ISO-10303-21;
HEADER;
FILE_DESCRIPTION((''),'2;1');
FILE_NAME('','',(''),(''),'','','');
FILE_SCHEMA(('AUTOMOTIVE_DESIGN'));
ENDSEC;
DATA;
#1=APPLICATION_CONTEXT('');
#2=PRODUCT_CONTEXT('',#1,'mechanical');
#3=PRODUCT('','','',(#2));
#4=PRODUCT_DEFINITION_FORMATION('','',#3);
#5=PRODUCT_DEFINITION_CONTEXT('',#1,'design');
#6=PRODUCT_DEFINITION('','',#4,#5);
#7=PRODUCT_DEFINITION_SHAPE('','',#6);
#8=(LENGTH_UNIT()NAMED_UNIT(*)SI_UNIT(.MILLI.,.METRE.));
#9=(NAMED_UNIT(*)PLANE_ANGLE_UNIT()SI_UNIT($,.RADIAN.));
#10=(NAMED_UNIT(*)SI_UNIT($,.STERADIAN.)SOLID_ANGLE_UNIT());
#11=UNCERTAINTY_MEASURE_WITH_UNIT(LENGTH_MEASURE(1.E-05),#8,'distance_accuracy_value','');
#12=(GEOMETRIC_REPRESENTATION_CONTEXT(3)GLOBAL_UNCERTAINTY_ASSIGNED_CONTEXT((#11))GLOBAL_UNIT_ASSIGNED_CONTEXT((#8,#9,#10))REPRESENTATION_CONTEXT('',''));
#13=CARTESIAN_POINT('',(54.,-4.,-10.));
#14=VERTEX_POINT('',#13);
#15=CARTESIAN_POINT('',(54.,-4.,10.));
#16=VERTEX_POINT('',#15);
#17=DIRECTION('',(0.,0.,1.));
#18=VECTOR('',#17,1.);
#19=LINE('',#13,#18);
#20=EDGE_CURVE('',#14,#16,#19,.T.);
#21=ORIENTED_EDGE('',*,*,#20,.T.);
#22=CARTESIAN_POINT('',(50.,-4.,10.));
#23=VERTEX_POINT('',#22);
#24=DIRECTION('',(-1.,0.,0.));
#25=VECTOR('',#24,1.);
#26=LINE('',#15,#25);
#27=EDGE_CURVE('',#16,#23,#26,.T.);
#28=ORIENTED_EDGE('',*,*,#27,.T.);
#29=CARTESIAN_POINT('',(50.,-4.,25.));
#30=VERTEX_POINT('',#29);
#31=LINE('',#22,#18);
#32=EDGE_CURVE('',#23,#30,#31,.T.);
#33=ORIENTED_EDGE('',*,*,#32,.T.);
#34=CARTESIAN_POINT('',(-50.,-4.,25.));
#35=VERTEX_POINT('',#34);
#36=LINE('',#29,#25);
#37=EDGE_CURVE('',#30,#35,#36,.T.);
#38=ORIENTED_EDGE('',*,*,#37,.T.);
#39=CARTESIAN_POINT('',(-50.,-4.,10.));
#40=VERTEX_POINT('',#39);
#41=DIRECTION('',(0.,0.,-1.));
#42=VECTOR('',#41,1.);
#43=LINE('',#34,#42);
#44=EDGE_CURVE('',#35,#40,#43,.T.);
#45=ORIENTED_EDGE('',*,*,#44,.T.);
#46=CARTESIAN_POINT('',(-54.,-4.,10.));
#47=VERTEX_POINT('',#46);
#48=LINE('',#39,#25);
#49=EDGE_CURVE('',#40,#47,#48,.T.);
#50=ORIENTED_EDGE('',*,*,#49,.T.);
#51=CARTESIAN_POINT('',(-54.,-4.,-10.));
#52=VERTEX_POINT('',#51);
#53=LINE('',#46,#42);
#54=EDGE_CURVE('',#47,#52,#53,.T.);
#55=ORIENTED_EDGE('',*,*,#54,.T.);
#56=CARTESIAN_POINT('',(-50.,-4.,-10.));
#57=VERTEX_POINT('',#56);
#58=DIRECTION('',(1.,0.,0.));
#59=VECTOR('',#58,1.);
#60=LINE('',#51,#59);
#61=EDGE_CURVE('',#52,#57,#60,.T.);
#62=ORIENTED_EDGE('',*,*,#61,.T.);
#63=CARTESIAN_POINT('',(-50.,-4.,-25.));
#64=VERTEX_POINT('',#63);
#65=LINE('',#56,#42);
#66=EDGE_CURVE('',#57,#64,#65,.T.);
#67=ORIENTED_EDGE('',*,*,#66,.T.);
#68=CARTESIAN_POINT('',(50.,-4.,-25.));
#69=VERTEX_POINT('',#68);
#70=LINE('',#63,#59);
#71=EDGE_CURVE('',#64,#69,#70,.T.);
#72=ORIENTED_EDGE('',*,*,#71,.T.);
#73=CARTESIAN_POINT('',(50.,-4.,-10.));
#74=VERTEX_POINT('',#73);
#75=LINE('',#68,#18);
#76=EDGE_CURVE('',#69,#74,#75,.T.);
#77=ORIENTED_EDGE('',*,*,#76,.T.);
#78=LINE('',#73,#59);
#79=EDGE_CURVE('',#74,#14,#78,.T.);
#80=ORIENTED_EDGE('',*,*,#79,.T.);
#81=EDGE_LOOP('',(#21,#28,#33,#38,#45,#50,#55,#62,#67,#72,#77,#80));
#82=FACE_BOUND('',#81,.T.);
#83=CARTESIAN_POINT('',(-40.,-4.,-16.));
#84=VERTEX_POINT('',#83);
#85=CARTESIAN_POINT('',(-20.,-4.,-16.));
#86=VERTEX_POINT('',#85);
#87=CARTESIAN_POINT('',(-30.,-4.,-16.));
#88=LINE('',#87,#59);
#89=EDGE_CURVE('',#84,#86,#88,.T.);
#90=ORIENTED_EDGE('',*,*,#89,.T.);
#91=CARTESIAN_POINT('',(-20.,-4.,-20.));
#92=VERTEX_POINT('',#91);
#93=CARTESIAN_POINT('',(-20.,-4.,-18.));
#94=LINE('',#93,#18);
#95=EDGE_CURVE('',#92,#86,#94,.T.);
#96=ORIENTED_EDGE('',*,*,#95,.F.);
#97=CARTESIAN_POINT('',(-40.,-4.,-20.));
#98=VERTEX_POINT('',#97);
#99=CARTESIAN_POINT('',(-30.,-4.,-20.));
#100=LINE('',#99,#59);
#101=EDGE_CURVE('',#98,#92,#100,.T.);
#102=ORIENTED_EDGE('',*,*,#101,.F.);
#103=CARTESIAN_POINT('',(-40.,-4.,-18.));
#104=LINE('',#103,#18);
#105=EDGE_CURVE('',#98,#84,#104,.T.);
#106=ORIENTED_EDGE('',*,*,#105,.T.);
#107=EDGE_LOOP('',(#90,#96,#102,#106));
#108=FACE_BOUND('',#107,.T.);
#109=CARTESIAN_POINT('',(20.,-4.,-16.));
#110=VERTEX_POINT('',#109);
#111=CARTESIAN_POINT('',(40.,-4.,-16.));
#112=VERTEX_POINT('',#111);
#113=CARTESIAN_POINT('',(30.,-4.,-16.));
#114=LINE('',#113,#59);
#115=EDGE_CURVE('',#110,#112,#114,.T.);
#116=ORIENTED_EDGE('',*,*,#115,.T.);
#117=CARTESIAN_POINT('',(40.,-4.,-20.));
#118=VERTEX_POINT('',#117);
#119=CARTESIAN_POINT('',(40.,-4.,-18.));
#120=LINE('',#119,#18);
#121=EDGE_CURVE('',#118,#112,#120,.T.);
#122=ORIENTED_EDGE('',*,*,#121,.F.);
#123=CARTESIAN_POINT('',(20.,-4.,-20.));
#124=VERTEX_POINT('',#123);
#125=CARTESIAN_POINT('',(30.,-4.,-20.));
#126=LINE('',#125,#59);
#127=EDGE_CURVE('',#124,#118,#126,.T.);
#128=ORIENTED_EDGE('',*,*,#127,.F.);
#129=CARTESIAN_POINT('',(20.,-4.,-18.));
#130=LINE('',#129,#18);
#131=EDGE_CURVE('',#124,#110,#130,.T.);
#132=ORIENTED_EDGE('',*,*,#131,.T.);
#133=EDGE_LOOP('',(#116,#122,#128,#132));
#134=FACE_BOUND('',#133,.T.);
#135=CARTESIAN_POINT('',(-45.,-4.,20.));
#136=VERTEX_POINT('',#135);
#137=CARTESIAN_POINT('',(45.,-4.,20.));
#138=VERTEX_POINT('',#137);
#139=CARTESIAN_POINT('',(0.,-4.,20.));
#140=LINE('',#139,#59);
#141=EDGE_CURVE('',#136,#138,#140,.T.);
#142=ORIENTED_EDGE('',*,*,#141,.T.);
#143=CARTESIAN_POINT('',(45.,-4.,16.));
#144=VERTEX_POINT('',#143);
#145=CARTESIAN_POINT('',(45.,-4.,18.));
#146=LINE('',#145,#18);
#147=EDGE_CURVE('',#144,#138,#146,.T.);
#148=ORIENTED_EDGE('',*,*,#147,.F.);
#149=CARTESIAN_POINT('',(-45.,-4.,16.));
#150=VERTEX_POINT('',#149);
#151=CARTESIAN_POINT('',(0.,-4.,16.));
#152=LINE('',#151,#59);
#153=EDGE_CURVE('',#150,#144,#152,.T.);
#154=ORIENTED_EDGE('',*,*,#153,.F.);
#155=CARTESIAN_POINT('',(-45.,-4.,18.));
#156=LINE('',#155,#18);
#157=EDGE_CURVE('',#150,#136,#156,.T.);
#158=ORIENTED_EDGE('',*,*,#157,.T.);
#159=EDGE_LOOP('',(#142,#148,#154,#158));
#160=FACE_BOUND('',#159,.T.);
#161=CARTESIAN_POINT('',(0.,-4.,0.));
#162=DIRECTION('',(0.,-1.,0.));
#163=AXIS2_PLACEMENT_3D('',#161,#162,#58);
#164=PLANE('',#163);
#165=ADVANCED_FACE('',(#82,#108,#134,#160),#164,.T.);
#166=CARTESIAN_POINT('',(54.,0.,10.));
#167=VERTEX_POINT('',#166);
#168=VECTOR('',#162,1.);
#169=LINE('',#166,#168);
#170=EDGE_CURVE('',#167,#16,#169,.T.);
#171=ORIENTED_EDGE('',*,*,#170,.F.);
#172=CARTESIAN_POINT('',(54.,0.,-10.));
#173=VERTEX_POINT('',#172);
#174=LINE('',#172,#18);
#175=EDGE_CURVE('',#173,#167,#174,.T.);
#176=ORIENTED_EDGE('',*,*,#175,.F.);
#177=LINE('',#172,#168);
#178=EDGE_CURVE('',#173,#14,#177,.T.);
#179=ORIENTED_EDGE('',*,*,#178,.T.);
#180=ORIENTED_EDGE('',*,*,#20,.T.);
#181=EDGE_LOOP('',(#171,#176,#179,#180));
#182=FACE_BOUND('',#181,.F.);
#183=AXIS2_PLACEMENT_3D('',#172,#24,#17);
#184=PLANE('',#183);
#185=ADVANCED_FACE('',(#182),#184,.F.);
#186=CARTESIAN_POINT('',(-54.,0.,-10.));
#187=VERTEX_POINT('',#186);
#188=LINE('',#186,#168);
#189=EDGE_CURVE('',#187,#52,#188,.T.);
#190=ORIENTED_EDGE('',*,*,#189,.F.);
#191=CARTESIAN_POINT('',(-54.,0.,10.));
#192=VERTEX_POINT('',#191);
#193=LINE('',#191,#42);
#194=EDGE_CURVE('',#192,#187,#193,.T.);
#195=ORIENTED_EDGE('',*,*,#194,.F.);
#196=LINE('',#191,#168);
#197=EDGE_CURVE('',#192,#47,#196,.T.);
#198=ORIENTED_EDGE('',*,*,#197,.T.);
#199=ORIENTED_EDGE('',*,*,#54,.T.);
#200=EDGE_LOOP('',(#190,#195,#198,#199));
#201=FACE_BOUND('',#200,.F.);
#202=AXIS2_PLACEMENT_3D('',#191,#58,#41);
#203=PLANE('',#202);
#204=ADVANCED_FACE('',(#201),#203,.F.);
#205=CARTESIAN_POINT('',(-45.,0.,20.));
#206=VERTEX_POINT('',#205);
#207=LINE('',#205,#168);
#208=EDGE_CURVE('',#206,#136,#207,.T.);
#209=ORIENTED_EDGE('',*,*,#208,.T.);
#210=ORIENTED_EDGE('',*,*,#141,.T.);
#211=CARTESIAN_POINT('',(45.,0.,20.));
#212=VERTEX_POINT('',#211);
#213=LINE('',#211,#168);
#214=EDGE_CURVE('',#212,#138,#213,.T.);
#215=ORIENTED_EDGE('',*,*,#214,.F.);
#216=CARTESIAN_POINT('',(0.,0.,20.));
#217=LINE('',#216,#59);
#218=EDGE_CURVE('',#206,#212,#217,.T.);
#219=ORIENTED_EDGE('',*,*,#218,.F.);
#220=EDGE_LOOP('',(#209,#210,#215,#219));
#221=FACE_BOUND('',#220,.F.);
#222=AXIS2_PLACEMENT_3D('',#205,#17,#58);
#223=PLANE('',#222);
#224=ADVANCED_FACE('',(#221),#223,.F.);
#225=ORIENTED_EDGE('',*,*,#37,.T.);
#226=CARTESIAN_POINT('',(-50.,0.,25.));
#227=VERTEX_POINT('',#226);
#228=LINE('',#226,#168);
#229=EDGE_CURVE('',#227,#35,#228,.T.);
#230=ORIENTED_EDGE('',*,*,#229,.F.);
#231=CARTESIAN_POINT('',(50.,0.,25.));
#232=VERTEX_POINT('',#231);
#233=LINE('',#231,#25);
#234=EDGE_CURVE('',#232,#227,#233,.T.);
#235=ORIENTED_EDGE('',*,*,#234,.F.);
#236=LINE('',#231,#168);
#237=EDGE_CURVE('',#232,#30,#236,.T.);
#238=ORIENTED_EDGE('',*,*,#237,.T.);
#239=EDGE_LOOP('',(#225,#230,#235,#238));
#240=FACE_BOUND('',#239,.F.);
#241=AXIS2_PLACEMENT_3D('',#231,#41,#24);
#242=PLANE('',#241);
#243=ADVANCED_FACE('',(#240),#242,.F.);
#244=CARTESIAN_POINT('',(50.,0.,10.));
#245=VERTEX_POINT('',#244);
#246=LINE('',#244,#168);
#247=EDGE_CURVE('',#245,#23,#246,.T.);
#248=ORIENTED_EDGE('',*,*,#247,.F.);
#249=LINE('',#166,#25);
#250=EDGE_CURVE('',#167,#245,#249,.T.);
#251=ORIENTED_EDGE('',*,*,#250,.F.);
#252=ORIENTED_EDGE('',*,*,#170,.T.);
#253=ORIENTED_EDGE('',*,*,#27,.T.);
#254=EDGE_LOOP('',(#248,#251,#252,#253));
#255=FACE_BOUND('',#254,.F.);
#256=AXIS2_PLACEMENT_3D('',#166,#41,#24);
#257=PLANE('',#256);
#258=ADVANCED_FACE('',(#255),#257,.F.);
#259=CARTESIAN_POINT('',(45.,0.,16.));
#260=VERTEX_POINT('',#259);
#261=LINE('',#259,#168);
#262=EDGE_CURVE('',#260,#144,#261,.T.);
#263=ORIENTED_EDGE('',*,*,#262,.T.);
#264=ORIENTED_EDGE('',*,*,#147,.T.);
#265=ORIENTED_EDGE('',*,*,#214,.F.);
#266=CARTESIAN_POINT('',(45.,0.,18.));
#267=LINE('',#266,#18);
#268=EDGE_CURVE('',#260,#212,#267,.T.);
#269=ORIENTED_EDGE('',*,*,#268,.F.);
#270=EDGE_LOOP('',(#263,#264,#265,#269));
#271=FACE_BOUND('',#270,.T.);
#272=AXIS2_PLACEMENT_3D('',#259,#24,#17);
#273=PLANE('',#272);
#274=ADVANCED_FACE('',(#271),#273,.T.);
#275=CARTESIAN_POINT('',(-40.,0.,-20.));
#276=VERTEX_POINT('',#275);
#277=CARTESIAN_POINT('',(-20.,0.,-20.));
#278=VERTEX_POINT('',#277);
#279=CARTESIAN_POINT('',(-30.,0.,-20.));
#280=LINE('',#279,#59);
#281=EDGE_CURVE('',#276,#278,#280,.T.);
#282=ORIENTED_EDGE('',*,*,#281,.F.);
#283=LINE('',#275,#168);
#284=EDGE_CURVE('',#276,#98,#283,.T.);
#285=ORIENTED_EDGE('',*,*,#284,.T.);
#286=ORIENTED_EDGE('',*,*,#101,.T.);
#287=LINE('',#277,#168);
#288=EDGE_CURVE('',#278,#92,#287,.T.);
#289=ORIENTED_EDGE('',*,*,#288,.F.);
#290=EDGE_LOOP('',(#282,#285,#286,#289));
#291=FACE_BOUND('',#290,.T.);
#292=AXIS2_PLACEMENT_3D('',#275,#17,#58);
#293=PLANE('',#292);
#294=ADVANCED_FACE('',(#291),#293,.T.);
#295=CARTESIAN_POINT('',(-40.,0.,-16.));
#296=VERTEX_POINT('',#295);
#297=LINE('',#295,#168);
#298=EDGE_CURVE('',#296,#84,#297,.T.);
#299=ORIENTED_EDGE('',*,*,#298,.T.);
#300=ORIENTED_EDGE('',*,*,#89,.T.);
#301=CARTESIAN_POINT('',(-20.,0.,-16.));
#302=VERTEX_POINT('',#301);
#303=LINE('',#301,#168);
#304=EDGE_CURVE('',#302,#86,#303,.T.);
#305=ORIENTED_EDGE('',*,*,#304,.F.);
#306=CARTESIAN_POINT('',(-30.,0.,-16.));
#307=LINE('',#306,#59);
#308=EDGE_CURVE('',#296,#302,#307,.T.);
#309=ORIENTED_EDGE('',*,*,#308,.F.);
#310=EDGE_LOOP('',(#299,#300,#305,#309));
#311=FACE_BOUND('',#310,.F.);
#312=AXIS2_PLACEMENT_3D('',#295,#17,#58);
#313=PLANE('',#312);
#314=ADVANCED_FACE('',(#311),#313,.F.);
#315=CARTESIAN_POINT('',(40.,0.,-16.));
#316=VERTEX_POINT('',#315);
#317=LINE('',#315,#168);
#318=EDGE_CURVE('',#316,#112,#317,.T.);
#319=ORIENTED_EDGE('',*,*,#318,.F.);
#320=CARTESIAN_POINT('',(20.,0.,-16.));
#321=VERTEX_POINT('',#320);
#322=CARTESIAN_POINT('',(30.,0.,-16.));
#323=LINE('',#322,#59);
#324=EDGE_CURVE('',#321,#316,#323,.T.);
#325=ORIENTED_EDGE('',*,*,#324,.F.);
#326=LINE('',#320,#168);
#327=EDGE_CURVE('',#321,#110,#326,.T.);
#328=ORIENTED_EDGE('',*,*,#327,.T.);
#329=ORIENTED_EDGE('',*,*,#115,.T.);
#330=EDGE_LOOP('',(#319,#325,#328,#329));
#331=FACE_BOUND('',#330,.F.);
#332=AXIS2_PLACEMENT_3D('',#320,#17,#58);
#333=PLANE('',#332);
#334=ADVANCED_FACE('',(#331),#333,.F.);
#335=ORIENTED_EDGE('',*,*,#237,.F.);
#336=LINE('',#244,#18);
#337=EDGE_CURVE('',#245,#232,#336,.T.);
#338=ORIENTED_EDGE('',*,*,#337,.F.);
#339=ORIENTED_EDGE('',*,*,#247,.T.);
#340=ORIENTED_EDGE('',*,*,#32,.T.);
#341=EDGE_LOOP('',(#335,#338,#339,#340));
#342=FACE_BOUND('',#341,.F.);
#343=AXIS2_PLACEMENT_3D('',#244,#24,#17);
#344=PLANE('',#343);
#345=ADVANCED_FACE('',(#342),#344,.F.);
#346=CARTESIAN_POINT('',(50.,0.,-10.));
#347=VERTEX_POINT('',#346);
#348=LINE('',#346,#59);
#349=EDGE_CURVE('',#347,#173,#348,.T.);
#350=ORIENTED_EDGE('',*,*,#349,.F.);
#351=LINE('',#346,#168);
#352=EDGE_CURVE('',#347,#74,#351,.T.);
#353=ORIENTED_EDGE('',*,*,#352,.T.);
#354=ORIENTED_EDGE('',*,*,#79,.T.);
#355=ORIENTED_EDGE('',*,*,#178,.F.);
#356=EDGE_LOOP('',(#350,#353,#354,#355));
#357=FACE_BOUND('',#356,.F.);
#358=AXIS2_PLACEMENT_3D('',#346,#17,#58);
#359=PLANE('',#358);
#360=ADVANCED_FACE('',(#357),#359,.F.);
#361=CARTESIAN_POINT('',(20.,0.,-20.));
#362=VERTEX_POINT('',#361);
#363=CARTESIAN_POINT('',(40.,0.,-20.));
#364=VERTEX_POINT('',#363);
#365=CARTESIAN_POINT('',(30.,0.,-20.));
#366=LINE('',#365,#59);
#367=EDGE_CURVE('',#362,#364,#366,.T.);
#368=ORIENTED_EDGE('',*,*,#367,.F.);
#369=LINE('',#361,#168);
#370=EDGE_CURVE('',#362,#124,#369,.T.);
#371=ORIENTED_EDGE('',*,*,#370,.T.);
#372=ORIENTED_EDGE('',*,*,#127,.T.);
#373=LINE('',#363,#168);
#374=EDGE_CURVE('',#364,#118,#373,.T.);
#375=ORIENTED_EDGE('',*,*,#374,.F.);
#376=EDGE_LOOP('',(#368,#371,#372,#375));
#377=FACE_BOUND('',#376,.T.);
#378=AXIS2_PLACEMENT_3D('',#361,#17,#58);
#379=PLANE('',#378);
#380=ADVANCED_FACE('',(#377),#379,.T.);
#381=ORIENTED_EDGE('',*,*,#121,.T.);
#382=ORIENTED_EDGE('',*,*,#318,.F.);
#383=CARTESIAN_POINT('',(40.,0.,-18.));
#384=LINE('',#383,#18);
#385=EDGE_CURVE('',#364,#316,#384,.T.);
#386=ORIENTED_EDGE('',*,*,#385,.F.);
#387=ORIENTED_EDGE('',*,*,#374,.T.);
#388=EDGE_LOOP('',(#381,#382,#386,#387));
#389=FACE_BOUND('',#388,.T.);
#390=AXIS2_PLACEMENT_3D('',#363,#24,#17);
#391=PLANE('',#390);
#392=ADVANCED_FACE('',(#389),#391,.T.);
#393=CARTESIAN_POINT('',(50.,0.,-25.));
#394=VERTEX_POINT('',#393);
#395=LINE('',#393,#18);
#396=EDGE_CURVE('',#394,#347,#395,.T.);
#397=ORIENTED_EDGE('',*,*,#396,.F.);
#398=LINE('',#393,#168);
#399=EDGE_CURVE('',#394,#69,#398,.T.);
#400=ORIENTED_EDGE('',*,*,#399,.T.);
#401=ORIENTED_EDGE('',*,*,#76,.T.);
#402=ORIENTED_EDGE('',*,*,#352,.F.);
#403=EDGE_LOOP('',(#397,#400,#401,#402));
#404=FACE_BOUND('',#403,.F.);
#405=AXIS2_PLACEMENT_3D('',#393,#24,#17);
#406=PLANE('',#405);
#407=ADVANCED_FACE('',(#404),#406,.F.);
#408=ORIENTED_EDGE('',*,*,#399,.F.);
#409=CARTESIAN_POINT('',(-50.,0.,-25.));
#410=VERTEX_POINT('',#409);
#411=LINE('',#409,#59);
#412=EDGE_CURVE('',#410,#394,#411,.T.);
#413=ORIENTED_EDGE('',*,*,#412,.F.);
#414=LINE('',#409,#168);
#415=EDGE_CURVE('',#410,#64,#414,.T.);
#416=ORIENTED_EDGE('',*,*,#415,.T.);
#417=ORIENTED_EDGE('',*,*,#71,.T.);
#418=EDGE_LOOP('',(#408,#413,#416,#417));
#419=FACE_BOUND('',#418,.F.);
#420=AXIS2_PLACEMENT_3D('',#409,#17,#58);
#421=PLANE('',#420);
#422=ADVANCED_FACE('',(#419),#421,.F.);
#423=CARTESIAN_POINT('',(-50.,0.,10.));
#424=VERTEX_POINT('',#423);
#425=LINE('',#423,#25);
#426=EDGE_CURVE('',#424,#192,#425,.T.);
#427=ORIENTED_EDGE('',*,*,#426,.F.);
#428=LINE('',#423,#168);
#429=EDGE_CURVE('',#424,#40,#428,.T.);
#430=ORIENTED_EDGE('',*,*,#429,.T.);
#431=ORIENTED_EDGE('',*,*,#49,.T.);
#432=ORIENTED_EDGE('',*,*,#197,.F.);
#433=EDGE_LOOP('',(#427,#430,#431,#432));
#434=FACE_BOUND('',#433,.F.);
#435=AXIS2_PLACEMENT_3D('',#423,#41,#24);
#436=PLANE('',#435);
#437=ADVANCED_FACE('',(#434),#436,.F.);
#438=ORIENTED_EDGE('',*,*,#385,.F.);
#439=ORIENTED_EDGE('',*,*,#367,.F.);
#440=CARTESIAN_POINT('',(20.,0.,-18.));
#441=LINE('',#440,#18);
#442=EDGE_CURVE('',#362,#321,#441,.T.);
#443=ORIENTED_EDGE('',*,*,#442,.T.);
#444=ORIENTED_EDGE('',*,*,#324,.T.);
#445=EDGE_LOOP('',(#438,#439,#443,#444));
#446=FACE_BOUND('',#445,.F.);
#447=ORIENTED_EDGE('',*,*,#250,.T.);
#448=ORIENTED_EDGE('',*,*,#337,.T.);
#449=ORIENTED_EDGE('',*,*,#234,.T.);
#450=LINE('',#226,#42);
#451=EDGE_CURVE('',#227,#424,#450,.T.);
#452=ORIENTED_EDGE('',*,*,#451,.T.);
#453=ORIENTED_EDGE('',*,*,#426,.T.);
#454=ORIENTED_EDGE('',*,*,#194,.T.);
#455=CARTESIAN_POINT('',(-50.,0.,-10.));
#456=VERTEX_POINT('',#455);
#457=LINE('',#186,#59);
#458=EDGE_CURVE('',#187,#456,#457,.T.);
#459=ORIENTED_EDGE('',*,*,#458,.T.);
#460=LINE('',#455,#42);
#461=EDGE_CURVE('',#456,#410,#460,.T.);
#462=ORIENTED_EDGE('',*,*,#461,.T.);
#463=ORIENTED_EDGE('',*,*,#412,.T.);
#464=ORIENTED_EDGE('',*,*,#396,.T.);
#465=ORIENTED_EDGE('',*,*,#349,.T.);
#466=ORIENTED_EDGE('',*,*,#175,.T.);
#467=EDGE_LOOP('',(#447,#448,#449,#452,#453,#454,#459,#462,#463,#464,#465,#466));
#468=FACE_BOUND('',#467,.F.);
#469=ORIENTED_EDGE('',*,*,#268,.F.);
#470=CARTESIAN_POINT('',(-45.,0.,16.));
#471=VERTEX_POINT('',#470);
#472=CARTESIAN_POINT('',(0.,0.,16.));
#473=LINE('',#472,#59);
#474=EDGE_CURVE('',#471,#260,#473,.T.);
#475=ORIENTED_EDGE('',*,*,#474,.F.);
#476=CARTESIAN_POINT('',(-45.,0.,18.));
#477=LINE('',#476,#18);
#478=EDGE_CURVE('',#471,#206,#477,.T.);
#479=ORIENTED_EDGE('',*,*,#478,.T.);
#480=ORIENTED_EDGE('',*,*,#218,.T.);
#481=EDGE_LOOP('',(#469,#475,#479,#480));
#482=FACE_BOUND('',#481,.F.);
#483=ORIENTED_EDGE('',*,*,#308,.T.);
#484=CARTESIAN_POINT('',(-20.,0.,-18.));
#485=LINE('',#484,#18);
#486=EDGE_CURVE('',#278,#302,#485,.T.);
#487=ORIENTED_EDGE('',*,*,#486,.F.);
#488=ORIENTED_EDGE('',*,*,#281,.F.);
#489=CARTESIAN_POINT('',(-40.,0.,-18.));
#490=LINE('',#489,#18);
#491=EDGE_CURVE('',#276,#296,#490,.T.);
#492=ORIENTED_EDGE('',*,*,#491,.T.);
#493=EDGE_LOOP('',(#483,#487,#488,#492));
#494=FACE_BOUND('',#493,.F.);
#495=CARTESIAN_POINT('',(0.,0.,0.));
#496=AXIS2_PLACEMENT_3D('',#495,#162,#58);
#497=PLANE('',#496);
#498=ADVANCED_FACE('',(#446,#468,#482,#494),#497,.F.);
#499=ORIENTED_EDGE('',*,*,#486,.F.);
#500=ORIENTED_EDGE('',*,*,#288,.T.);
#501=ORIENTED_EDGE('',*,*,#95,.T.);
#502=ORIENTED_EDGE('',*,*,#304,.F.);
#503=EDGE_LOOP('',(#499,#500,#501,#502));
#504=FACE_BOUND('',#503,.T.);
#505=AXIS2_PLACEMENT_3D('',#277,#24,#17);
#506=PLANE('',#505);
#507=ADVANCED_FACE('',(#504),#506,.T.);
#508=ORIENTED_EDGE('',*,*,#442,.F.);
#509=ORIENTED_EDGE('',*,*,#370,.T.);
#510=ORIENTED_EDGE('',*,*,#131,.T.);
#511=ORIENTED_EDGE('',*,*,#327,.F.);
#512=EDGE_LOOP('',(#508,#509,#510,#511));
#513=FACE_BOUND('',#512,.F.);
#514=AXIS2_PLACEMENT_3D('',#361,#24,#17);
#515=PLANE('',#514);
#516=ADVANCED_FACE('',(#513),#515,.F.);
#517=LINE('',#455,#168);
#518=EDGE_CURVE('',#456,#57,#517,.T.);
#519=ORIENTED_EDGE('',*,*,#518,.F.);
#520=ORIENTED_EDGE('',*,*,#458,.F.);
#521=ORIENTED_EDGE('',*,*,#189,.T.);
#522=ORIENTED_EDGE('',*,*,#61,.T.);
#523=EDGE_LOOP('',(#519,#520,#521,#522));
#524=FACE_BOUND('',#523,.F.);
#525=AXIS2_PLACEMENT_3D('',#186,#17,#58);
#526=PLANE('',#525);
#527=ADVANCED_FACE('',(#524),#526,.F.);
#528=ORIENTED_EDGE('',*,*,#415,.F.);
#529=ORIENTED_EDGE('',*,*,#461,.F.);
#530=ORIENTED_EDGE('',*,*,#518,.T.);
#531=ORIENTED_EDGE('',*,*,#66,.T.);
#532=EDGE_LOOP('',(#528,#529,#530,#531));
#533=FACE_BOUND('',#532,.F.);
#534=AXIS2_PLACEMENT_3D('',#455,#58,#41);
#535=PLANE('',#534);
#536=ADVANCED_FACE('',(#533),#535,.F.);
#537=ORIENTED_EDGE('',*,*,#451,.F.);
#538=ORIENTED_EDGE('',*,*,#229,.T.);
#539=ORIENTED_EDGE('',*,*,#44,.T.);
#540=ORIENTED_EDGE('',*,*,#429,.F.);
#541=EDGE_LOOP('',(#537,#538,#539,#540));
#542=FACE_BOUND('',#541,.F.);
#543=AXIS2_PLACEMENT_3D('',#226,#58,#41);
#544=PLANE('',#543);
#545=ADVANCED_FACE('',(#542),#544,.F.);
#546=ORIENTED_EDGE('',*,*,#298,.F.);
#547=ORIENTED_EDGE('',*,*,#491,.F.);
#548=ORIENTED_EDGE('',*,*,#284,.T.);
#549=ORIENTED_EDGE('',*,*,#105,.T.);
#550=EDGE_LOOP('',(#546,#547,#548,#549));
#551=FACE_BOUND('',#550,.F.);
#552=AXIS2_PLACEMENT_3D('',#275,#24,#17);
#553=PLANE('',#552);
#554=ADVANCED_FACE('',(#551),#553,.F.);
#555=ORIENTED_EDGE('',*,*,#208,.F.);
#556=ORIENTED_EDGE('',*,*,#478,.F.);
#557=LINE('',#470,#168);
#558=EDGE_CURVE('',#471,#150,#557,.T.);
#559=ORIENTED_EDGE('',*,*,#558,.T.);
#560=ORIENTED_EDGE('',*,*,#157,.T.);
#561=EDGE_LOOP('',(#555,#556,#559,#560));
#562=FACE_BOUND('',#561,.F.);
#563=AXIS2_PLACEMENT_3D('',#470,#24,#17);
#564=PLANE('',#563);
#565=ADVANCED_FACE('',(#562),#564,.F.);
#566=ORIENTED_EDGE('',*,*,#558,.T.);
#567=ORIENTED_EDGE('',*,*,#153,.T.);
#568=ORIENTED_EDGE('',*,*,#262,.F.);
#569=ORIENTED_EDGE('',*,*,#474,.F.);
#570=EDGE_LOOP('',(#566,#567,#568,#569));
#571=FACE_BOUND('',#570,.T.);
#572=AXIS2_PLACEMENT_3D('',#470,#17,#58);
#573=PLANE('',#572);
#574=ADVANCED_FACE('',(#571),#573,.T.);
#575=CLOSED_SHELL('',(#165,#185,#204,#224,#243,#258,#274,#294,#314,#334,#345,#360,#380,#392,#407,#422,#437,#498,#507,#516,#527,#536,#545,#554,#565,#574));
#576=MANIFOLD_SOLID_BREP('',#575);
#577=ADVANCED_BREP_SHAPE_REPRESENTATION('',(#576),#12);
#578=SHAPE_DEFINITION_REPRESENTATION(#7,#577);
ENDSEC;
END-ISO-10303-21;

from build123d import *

# Parameters (mm, degrees)
F0_W     = 20
F0_H     = 4
F0_W_2   = 90
F1_DEPTH = 4


with BuildPart() as f1:
    # F0 (on Front) → F1 (new body)
    with BuildSketch(Plane.XZ):
        Polygon((50, 10), (50, 25), (-50, 25), (-50, 10), (-54, 10), (-54, -10), (-50, -10), (-50, -25), (50, -25), (50, -10), (54, -10), (54, 10), align=None)
        with Locations((-30, -18)):
            Rectangle(F0_W, F0_H, mode=Mode.SUBTRACT)
        with Locations((30, -18)):
            Rectangle(F0_W, F0_H, mode=Mode.SUBTRACT)
        with Locations((0, 18)):
            Rectangle(F0_W_2, F0_H, mode=Mode.SUBTRACT)
    extrude(amount=F1_DEPTH)


solid = f1.part
